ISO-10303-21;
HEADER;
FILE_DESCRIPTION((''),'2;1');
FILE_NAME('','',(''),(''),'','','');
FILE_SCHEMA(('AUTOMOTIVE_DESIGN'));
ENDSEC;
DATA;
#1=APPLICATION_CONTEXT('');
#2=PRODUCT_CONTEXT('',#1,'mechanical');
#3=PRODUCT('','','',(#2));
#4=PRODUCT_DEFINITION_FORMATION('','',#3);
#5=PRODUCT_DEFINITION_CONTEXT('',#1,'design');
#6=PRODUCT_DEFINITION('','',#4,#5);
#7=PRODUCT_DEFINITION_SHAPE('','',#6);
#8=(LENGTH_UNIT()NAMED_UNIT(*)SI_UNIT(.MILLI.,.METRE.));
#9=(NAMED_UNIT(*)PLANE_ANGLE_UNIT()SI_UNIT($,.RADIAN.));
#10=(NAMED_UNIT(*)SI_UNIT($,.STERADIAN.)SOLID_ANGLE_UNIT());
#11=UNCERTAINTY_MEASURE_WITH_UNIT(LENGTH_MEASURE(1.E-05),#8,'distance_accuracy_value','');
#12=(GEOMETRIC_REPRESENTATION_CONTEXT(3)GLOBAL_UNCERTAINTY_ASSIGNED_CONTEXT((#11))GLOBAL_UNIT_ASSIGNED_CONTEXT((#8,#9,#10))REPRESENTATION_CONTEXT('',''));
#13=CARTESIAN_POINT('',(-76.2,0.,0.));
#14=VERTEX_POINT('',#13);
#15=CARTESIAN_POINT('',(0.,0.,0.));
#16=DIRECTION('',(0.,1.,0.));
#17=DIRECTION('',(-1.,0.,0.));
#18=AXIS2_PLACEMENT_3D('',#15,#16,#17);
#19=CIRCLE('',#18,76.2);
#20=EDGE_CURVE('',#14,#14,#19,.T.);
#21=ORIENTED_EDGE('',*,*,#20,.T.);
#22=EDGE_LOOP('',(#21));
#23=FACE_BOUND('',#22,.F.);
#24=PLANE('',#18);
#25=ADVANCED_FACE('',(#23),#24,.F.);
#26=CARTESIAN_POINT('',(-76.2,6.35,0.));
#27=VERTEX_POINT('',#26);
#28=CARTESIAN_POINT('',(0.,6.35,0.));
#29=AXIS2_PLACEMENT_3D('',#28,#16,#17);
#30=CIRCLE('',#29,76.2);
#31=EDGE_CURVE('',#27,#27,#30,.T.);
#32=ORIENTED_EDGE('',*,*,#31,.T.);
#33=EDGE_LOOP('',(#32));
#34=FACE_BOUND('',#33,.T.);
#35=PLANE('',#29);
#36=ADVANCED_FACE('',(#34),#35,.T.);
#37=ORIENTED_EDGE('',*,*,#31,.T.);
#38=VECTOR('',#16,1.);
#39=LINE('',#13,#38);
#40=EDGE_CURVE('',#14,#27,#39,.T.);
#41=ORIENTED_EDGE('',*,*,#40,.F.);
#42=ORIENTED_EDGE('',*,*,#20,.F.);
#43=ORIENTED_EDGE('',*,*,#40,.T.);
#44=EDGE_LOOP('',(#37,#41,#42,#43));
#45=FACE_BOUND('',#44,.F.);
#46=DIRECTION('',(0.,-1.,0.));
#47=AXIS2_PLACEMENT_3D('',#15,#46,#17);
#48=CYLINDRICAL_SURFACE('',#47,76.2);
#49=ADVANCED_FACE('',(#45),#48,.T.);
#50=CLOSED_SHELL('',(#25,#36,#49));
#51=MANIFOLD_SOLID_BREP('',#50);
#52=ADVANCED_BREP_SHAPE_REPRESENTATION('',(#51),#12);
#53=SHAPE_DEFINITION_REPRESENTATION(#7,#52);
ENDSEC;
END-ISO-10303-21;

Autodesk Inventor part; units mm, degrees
ref_plane "YZ Plane" through (0, 0, 0) normal (1, 0, 0) x (0, 1, 0)
ref_plane "XZ Plane" through (0, 0, 0) normal (0, 1, 0) x (-1, 0, 0)
ref_plane "XY Plane" through (0, 0, 0) normal (0, 0, 1) x (1, 0, 0)
sketch "Sketch6" plane through (0, 0, 0) normal (0, 1, 0) x (-1, 0, 0)
  circle A0 centre (0, 0) radius 76.2
  dimension "d58" = 152.4
extrude "Extrusion2" add sketch "Sketch6" along normal blind 6.35
sketch "Sketch11" plane through (0, 6.35, 0) normal (0, 1, 0) x (1, 0, 0)
  point P0 (0, 0)
properties part number "Impeller" material "Steel, Galvanized"
